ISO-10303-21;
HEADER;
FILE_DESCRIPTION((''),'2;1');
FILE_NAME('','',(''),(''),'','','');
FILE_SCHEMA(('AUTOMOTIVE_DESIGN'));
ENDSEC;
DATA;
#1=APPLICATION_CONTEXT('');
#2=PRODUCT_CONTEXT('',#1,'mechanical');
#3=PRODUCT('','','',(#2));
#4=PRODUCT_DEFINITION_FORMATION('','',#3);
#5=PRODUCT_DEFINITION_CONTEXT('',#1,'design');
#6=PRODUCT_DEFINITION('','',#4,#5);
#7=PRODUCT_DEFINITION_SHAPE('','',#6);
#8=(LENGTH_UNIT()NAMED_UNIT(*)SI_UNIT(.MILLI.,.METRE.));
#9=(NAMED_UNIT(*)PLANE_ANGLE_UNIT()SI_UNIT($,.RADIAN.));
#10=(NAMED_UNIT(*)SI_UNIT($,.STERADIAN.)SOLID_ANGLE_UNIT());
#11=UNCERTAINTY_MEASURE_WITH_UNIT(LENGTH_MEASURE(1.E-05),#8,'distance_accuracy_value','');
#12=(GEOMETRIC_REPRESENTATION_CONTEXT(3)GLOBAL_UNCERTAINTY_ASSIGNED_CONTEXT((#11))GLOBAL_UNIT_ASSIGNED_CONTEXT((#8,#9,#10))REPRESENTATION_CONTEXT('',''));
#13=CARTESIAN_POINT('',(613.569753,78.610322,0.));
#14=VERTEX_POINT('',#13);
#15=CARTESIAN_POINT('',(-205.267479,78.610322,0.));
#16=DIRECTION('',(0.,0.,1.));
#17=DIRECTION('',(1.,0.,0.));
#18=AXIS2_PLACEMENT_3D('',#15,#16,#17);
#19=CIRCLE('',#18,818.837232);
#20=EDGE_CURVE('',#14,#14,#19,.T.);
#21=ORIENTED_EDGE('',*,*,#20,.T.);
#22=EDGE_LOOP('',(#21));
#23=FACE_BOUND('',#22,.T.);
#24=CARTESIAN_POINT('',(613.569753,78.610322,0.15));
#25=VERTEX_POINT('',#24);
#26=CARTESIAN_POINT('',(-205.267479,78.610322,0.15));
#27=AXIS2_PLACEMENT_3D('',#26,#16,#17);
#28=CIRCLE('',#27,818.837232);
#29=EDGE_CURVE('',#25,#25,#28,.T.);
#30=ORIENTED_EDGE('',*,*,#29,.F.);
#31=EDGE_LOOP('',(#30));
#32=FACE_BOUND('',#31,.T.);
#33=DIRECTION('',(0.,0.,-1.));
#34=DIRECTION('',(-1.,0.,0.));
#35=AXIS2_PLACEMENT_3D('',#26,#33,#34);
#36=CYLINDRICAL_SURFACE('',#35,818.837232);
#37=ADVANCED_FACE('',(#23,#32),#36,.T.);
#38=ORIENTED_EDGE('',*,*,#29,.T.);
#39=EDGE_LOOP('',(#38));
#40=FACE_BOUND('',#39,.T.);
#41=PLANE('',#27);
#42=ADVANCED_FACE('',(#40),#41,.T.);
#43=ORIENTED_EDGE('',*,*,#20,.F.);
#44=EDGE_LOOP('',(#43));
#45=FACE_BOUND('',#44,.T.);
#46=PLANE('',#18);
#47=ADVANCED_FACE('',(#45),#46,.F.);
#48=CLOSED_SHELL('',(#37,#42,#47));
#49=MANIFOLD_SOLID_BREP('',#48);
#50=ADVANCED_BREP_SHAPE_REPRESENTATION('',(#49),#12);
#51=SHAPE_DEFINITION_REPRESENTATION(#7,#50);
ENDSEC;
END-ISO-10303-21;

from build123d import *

# Parameters (mm, degrees)
SKETCH1_R           = 818.837232426
BOSS_EXTRUDE2_DEPTH = 0.15


with BuildPart() as part:
    # Sketch1 → Boss-Extrude2 (new body)
    with BuildSketch(Plane(origin=(-127, 0, 0), x_dir=(1, 0, 0), z_dir=(0, 0, 1))):
        with Locations((-78.267479393, 78.610321849)):
            Circle(SKETCH1_R)
    extrude(amount=BOSS_EXTRUDE2_DEPTH)


solid = part.part
